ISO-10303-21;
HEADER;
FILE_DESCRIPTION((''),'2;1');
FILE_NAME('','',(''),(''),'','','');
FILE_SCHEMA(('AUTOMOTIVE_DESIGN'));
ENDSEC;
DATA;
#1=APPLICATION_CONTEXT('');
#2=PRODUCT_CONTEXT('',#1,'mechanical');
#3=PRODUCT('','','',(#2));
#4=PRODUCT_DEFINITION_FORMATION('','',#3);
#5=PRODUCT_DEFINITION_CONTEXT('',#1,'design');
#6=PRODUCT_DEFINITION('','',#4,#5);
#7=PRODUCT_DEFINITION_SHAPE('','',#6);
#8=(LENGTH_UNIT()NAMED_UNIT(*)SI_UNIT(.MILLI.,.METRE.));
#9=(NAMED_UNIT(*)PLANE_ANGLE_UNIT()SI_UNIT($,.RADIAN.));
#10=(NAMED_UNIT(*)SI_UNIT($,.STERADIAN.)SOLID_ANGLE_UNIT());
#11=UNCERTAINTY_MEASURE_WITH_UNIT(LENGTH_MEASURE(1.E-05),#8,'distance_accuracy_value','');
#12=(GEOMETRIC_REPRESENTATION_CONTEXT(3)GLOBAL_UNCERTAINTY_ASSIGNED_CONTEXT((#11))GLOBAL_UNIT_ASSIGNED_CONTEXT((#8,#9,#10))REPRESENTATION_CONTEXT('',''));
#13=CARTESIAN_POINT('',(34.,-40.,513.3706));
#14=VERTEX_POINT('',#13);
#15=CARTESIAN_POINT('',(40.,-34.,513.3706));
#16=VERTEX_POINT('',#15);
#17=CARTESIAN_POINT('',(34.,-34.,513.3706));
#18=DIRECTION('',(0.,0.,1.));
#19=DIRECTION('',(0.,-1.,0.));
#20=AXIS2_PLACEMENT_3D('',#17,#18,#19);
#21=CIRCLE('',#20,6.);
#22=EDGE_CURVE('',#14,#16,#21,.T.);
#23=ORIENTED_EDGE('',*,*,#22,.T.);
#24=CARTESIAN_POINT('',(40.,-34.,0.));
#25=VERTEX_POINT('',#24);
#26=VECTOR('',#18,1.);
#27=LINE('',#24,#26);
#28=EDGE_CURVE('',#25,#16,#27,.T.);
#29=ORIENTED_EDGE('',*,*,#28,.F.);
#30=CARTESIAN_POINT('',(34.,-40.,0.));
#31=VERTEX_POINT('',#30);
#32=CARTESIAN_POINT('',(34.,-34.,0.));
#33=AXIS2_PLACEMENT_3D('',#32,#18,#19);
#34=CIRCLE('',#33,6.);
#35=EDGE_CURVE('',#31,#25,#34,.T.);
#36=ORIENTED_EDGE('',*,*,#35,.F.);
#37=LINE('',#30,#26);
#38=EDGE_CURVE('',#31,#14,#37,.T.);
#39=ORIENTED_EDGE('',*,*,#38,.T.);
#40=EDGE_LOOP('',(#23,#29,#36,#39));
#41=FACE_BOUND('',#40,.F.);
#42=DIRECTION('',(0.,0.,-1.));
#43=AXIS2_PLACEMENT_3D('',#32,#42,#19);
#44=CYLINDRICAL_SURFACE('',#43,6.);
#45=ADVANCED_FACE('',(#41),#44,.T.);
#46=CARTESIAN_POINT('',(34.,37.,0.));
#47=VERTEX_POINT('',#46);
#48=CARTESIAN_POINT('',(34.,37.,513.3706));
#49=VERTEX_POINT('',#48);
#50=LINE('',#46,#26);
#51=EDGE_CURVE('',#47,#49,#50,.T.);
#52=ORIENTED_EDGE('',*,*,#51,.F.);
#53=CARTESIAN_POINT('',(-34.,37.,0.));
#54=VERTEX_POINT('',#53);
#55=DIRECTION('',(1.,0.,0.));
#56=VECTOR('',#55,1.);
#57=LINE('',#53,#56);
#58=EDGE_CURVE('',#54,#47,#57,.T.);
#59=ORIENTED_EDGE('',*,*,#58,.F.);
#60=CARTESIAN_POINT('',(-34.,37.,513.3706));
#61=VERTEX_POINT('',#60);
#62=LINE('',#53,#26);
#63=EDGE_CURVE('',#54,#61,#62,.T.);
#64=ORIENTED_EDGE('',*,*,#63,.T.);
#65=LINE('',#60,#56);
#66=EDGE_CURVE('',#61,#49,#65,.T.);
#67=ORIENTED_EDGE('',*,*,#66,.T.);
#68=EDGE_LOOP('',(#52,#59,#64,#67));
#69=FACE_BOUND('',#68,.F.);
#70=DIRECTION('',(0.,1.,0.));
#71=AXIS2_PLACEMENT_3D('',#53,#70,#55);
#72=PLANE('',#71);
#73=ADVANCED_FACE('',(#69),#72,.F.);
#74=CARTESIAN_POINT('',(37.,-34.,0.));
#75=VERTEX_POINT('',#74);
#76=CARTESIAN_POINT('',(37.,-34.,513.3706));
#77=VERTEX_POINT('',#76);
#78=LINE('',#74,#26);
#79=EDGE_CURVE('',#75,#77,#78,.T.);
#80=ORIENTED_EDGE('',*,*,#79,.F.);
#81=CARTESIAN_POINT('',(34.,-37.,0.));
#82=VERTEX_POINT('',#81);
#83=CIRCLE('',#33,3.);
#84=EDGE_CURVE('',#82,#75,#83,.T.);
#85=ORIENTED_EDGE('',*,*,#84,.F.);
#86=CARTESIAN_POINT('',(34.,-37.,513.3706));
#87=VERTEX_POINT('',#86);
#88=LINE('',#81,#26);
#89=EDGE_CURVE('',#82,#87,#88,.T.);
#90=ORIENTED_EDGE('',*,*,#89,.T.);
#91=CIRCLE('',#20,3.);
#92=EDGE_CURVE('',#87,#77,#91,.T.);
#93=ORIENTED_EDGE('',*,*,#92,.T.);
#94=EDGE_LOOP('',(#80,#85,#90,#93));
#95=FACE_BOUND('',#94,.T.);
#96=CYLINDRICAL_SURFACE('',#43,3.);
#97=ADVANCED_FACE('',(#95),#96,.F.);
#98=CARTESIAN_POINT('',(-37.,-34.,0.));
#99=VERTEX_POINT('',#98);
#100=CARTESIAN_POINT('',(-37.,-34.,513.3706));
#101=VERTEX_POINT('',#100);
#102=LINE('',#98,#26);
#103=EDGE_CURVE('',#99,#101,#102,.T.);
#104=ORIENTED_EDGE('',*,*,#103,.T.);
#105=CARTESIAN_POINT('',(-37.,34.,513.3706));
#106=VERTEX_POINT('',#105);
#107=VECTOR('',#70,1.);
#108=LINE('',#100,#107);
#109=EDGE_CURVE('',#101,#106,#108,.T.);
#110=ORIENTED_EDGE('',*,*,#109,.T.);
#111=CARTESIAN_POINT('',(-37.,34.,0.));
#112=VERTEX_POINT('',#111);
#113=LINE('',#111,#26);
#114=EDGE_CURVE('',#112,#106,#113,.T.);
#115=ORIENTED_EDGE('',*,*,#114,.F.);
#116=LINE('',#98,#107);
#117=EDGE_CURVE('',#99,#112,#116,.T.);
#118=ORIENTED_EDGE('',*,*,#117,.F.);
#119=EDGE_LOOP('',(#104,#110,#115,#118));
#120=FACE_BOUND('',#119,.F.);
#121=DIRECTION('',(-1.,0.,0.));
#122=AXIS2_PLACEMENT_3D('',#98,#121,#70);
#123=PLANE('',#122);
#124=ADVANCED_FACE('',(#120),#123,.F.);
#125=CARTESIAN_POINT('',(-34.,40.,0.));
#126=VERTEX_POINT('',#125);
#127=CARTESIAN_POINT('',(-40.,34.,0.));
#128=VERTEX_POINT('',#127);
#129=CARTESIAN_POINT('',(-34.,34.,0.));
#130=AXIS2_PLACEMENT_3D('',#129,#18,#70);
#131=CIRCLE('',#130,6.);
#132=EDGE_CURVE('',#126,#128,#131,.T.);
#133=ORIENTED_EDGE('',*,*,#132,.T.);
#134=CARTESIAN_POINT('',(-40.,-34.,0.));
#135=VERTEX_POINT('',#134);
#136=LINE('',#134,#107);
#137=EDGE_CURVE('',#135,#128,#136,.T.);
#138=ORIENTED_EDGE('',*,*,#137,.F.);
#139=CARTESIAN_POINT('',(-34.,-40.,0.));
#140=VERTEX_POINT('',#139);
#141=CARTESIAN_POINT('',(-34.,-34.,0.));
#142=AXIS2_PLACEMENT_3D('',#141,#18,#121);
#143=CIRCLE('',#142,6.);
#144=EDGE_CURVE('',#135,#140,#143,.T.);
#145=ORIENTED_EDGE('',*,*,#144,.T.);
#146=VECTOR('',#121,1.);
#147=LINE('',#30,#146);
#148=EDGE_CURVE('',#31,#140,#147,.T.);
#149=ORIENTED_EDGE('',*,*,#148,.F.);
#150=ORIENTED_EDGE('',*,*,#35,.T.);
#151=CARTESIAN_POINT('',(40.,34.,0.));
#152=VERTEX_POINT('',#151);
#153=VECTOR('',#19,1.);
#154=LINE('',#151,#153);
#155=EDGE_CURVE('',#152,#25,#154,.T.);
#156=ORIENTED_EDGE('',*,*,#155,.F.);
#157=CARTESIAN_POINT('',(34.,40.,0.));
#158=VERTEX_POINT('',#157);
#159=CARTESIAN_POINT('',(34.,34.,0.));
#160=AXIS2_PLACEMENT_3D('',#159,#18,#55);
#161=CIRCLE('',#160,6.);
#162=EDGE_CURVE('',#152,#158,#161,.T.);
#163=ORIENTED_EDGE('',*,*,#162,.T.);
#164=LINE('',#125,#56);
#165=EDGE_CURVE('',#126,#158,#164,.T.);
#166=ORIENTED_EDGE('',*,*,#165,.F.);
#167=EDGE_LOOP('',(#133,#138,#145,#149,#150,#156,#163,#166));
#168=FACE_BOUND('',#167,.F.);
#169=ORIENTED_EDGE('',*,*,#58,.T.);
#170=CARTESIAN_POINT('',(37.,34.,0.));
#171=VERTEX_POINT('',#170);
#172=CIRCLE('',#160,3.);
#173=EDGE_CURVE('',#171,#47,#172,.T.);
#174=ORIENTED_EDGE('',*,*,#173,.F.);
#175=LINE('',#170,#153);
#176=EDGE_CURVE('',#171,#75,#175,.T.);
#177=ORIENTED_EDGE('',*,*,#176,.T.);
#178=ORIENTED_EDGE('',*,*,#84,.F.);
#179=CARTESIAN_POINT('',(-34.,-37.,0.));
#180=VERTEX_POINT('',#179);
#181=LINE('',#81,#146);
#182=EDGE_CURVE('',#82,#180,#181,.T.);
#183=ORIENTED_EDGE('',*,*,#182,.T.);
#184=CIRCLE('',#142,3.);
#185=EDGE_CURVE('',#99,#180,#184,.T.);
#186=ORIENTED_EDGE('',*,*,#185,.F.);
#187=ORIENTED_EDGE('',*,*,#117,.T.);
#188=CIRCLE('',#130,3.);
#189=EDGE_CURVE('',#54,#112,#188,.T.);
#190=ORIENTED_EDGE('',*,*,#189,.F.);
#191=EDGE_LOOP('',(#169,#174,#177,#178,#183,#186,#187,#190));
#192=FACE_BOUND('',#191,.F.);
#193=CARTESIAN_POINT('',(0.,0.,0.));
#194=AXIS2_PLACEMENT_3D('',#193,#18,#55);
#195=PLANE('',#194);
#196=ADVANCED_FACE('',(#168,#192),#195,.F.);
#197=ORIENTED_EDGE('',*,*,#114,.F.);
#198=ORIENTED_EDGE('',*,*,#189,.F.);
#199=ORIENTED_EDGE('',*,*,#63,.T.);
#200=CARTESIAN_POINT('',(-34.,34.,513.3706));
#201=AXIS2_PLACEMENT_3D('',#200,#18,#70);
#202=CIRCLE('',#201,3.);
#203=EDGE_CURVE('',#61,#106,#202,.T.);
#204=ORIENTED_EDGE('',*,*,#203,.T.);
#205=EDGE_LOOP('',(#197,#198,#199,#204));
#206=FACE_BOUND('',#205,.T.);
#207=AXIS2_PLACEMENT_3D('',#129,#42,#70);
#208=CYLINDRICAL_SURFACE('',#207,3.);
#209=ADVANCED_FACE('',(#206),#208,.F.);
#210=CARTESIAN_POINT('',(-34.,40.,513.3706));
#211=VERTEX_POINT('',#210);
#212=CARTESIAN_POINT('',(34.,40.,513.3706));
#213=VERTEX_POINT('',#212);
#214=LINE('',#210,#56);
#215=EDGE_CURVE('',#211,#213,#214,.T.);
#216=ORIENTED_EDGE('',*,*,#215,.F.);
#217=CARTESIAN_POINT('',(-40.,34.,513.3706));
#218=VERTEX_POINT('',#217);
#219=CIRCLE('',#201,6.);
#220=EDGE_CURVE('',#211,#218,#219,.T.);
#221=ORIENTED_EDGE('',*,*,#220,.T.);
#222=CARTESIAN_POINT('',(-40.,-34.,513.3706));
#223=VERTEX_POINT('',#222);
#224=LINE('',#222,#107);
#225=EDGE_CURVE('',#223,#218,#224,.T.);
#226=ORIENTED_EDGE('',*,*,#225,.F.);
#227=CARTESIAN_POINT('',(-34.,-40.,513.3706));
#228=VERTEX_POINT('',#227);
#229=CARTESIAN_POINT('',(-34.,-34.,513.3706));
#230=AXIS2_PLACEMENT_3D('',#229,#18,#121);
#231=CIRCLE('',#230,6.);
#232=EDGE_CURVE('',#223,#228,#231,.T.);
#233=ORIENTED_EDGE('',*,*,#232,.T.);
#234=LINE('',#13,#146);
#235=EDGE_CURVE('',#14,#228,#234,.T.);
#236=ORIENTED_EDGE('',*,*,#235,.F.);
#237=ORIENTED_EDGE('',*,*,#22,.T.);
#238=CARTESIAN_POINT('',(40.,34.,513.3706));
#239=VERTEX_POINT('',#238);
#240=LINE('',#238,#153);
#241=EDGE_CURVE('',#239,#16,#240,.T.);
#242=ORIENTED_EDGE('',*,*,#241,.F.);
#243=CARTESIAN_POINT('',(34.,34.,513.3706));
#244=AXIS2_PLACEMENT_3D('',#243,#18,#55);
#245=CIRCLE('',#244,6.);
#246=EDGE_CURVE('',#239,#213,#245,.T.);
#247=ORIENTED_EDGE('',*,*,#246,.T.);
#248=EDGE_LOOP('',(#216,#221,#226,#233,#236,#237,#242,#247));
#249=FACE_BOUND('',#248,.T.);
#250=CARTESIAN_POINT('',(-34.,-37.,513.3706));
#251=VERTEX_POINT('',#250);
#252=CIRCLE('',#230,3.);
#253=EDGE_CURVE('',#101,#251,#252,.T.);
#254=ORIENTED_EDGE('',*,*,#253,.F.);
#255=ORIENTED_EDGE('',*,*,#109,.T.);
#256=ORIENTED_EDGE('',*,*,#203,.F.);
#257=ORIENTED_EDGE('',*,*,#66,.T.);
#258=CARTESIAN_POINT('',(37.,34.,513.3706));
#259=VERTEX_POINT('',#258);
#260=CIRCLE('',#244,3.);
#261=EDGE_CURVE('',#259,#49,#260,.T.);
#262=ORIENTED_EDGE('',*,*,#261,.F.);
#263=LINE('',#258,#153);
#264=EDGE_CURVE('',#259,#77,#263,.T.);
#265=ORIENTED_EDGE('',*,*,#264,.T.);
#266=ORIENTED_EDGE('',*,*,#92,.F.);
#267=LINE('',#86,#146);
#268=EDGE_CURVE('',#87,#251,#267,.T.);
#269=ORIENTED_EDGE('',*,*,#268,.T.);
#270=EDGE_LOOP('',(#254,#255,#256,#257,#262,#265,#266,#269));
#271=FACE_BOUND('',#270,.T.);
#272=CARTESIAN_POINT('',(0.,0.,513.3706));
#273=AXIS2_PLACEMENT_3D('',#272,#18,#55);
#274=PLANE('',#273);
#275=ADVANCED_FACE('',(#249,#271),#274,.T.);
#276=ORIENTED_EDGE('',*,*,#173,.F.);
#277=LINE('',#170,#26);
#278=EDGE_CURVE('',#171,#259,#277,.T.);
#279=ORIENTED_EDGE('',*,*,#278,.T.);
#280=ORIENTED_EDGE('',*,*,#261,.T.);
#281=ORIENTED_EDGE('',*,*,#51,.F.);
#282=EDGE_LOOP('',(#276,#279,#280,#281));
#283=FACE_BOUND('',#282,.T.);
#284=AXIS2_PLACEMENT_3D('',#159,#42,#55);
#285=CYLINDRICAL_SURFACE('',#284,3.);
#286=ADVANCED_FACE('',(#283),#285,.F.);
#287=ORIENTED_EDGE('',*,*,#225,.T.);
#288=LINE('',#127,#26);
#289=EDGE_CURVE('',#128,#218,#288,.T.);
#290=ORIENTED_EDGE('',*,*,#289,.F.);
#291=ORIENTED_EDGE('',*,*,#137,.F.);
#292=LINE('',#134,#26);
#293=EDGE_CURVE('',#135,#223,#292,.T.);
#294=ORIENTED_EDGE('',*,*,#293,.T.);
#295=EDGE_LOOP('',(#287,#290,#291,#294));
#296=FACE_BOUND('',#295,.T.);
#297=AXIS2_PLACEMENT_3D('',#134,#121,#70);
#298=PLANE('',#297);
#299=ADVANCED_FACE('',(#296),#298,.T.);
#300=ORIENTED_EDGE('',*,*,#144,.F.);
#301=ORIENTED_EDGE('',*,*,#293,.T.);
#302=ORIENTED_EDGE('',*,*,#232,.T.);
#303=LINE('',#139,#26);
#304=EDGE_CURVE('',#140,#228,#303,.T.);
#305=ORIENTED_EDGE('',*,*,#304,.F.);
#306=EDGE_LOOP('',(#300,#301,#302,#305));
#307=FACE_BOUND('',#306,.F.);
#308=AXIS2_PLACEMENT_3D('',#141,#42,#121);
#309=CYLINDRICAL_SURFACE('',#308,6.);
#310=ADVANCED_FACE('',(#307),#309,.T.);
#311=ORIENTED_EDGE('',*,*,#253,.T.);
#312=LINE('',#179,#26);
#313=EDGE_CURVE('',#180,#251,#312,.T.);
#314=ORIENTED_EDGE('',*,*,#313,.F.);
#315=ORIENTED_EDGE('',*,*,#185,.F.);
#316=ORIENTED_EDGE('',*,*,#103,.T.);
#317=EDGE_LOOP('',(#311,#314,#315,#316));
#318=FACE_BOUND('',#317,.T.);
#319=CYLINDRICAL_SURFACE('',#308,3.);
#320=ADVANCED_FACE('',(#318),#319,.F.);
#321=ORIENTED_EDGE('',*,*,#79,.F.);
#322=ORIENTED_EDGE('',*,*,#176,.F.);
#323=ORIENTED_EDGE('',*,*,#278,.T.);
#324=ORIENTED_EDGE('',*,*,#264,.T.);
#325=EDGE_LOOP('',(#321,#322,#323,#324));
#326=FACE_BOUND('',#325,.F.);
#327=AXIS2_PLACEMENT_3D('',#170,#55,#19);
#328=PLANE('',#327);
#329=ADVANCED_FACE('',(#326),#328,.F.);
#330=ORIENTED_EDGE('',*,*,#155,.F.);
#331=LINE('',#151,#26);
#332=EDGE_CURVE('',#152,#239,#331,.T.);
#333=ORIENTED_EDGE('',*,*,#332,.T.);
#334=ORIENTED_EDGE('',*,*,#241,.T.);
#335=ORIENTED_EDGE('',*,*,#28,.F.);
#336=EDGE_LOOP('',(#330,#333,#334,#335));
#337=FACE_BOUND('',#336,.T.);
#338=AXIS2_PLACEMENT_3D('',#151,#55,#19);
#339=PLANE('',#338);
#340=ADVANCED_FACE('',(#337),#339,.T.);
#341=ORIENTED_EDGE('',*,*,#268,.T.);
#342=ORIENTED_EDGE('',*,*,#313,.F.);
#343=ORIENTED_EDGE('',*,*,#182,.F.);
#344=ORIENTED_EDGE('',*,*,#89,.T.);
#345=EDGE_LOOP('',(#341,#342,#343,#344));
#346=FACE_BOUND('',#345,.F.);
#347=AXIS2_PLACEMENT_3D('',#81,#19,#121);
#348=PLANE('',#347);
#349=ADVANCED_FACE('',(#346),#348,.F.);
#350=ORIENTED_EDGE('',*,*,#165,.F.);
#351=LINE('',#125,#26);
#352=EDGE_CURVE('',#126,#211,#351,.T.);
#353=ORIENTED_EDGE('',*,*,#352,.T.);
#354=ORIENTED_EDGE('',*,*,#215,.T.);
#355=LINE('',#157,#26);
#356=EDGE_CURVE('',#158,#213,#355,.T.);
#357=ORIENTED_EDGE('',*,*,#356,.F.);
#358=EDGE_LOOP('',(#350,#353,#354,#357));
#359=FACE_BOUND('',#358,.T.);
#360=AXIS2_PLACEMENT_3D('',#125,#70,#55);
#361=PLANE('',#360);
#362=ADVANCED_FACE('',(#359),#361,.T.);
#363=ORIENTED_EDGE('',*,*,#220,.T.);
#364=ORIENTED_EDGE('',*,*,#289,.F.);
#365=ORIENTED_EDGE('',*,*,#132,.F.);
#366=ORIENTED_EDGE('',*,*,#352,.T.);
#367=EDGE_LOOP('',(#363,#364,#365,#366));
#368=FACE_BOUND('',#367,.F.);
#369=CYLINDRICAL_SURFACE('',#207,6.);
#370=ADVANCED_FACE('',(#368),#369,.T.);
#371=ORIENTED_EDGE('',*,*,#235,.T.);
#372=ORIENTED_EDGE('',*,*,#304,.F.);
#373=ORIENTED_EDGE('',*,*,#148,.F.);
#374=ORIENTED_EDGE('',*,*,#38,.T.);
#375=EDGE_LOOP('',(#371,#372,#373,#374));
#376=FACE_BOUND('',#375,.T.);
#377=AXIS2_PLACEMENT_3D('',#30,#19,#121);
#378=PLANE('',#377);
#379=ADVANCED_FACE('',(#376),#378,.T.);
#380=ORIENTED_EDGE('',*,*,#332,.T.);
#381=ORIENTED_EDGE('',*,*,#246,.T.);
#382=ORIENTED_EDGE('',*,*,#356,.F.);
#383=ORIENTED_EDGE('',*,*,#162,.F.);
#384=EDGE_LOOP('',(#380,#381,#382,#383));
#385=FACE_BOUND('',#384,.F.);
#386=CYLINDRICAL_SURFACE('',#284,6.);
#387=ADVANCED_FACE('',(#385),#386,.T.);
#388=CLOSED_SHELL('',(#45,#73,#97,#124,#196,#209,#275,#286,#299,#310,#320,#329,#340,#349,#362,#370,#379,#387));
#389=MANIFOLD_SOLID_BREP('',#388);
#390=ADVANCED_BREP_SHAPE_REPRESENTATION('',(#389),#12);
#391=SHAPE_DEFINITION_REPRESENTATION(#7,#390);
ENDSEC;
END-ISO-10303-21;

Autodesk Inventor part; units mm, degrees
ref_plane "YZ Plane" through (0, 0, 0) normal (1, 0, 0) x (0, 1, 0)
ref_plane "Start Plane" through (0, 0, 0) normal (0, 0, 1) x (1, 0, 0)
ref_plane "End Plane" through (0, 0, 513.3706) normal (0, 0, 1) x (1, 0, 0)
sketch "Sketch" plane through (0, 0, 0) normal (0, 0, 1) x (1, 0, 0)
  line L0 (-40, -34) -> (-40, 34)
  line L1 (-34, 40) -> (34, 40)
  line L2 (40, 34) -> (40, -34)
  line L3 (34, -40) -> (-34, -40)
  arc A0 (-40, -34) -> (-34, -40) centre (-34, -34) ccw
  arc A1 (40, 34) -> (34, 40) centre (34, 34) ccw
  arc A2 (-34, 40) -> (-40, 34) centre (-34, 34) ccw
  arc A3 (34, -40) -> (40, -34) centre (34, -34) ccw
  arc A4 (-34, 37) -> (-37, 34) centre (-34, 34) ccw
  line L4 (-34, 37) -> (34, 37)
  arc A5 (37, 34) -> (34, 37) centre (34, 34) ccw
  line L5 (37, 34) -> (37, -34)
  arc A6 (34, -37) -> (37, -34) centre (34, -34) ccw
  line L6 (34, -37) -> (-34, -37)
  arc A7 (-37, -34) -> (-34, -37) centre (-34, -34) ccw
  line L7 (-37, -34) -> (-37, 34)
  line L8 (0, 57.7397) -> (0, -57.7397) construction
  line L9 (-57.7397, 0) -> (57.7397, 0) construction
  dimension "d7" = 6
  dimension "d9" = 80
  dimension "d11" = 80
  dimension "d12" = 3
  dimension "d15" = 40
  dimension "d16" = 40
extrude "Body" add sketch "Sketch" along normal up to surface (513.3706 mm away) from surface at 0
sketch "Sketch3" plane through (0, 0, 0) normal (0, 0, 1) x (1, 0, 0)
  line L0 (0, 0) -> (10, 0)
ref_plane "Work Plane3" through (0, 0, 0) normal (0, -1, 0) x (1, 0, 0)
sketch "Sketch4" plane through (0, 0, 0) normal (0, -1, 0) x (1, 0, 0)
  line L0 (-2, 0) -> (12, 0) projected
  line L1 (-2, 513.3706) -> (12, 513.3706) projected
  dimension "d18" = 513.3706
equation "\"d7\" = G_IR"
equation "\"d9\" = G_W"
equation "\"d11\" = G_H"
equation "\"d12\" = G_T"
equation "\"d15\" = 0.5 * d9"
equation "\"d16\" = 0.5 * d11"
equation "\"d3\" = G_L"
equation "\"G_W\" = 80"
equation "\"G_H\" = 80"
equation "\"G_T\" = 3"
equation "\"G_IR\" = 6"
equation "\"G_L\" = d18"
equation "\"G_OFFSET_START\" = 0"
equation "\"G_OFFSET_END\" = 0"
equation "\"d14\" = G_OFFSET_END + B_L"
equation "\"B_L\" = 513.3706"
properties part number "ISO 10799-2 - 80x80x3 - 513,37" material "Steel, Mild"
